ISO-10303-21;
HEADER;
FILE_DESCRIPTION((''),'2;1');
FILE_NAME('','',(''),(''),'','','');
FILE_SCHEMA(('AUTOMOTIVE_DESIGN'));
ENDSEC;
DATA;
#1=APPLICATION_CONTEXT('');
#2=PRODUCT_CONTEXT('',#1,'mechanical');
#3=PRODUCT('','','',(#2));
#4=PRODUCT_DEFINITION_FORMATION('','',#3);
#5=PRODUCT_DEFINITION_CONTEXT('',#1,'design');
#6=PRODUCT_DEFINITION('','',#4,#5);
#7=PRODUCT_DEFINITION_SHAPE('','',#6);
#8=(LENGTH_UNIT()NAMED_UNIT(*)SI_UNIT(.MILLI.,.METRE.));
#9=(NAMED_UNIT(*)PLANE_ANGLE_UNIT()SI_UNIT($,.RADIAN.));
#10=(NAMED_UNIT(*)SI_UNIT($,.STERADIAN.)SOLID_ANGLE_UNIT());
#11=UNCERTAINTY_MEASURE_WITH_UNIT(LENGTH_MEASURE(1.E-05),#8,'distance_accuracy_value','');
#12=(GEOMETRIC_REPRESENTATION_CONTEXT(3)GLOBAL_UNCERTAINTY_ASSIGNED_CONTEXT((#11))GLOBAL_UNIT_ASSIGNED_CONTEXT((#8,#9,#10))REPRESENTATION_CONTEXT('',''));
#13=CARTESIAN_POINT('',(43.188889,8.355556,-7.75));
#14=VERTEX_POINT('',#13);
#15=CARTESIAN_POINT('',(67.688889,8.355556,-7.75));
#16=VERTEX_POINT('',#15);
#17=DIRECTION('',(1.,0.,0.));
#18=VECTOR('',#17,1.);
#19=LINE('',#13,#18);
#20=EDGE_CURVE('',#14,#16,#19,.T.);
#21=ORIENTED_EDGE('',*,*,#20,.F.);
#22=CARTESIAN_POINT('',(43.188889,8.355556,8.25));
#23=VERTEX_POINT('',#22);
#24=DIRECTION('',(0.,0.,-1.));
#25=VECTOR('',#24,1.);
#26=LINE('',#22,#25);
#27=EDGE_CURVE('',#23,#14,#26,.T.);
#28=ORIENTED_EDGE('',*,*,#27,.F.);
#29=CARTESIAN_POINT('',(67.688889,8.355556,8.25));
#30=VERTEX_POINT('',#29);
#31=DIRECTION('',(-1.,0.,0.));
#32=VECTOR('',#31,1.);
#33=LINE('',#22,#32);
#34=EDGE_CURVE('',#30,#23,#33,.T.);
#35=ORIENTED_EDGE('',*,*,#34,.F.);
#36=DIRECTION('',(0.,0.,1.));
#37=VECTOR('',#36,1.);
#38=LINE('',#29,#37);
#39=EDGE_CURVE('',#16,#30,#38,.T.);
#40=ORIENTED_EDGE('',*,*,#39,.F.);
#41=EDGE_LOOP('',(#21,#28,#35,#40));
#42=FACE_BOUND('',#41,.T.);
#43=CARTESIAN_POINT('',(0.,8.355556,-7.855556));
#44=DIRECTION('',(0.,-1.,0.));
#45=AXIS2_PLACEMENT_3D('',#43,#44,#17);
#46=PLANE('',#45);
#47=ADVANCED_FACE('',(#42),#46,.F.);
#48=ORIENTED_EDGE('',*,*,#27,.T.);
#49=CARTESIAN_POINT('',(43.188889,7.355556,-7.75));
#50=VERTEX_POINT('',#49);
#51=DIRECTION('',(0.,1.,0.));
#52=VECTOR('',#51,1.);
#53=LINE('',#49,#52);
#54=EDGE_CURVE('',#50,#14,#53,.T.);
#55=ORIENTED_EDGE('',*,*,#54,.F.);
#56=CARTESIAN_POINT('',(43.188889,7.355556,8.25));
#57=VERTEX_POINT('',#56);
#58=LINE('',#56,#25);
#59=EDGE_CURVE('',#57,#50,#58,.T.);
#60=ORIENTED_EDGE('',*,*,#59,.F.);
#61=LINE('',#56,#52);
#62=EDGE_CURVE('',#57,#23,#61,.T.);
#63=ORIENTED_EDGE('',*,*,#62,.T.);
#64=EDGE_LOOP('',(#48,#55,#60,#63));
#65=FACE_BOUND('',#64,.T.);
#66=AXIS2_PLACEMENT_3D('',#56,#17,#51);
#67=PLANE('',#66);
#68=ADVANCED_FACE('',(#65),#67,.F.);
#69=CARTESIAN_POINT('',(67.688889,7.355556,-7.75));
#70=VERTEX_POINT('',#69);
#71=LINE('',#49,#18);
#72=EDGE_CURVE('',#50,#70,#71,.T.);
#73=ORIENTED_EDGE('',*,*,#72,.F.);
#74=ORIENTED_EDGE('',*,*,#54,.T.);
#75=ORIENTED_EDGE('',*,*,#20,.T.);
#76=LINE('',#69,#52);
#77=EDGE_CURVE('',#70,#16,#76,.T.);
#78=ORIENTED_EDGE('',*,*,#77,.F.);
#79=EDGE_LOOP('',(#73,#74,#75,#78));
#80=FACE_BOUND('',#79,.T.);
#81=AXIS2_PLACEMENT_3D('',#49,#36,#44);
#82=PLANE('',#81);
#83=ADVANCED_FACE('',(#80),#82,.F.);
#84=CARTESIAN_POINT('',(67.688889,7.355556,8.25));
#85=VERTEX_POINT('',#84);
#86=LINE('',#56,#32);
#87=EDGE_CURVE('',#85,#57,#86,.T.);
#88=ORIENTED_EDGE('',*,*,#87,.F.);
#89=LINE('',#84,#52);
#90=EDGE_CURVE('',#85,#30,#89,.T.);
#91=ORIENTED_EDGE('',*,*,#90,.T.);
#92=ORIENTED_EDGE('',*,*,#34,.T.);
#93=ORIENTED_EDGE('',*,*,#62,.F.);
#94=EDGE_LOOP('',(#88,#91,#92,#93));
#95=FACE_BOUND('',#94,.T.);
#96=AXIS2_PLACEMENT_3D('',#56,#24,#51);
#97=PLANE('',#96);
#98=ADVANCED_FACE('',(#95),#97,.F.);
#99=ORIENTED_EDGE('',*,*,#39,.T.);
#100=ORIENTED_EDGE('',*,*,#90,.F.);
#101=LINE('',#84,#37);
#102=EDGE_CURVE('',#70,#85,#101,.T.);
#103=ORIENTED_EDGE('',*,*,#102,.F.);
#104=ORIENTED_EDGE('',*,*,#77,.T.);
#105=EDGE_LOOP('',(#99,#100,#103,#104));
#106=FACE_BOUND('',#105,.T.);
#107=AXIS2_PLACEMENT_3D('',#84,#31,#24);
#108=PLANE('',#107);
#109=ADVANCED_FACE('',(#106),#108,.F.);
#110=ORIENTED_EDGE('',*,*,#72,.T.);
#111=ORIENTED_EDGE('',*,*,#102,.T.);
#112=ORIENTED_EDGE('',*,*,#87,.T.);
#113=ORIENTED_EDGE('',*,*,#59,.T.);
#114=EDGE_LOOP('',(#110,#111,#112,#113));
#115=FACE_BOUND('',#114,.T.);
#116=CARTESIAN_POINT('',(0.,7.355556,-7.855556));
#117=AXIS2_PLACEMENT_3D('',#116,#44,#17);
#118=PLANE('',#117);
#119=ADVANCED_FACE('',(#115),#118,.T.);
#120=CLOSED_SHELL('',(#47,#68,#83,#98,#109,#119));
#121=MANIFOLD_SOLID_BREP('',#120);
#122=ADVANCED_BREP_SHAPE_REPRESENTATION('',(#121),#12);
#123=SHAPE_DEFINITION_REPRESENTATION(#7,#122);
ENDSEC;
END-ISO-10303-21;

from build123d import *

# Parameters (mm, degrees)
SKETCH1_W             = 24.5
SKETCH1_H             = 16
BOSS_EXTRUDE1_DEPTH   = 1
BODY_MOVE_COPY1_ANGLE = 90


with BuildPart() as part:
    # Sketch1 → Boss-Extrude1 (new body)
    with BuildSketch(Plane.XY):
        with Locations((55.438888889, 8.105555556)):
            Rectangle(SKETCH1_W, SKETCH1_H)
    extrude(amount=BOSS_EXTRUDE1_DEPTH)


with BuildPart() as part_1:
    # Body-Move/Copy1: moved
    add(part.part.rotate(Axis((0, 8.105555556, 0.25), (1, 0, 0)), BODY_MOVE_COPY1_ANGLE))


solid = part_1.part
